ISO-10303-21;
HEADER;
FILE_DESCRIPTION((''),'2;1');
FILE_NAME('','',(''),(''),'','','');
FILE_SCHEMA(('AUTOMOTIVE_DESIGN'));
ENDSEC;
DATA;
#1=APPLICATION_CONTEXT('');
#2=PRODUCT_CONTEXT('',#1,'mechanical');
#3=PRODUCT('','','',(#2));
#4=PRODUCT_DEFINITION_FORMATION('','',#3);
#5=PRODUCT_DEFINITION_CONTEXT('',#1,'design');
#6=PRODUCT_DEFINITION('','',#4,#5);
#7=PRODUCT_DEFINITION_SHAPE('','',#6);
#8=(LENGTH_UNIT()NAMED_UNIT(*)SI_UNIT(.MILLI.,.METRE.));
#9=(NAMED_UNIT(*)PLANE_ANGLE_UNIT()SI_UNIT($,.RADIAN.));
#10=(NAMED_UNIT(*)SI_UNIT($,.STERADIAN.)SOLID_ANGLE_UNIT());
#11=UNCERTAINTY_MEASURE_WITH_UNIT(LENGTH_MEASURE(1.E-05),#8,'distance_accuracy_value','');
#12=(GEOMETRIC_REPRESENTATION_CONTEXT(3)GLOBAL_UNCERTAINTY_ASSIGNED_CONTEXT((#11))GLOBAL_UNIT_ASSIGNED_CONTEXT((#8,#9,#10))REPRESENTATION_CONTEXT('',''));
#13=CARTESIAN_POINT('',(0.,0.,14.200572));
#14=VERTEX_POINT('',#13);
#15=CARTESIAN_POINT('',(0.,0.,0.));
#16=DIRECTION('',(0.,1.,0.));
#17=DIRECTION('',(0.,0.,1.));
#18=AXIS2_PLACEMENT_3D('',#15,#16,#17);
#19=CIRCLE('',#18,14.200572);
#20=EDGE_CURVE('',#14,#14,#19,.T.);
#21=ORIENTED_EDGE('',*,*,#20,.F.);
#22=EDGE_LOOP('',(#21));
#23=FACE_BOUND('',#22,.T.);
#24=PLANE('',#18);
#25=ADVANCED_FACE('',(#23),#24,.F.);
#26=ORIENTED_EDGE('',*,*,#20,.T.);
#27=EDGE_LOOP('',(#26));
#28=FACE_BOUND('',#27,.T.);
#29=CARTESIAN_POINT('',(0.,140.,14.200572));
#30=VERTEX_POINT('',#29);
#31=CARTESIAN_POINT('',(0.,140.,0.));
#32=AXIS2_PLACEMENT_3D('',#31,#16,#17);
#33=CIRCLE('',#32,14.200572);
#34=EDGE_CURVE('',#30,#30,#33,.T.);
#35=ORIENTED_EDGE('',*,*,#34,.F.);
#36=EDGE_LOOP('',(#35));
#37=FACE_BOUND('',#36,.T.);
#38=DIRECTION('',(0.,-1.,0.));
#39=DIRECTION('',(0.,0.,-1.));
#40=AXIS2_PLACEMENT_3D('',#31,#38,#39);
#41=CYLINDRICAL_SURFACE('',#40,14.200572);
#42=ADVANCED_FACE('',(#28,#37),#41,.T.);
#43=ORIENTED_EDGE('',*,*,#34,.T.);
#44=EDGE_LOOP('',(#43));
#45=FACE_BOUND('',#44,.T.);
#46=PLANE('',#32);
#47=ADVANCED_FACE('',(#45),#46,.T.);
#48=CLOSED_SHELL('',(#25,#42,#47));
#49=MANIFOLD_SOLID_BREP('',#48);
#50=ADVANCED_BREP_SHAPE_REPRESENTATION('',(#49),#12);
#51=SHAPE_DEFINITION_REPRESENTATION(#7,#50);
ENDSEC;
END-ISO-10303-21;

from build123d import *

# Parameters (mm, degrees)
CROQUIS1_R              = 14.200572473
SALIENTE_EXTRUIR1_DEPTH = 140


with BuildPart() as part:
    # Croquis1 → Saliente-Extruir1 (new body)
    with BuildSketch(Plane(origin=(0, 0, 0), x_dir=(1, 0, 0), z_dir=(0, 1, 0))):
        Circle(CROQUIS1_R)
    extrude(amount=SALIENTE_EXTRUIR1_DEPTH)


solid = part.part
